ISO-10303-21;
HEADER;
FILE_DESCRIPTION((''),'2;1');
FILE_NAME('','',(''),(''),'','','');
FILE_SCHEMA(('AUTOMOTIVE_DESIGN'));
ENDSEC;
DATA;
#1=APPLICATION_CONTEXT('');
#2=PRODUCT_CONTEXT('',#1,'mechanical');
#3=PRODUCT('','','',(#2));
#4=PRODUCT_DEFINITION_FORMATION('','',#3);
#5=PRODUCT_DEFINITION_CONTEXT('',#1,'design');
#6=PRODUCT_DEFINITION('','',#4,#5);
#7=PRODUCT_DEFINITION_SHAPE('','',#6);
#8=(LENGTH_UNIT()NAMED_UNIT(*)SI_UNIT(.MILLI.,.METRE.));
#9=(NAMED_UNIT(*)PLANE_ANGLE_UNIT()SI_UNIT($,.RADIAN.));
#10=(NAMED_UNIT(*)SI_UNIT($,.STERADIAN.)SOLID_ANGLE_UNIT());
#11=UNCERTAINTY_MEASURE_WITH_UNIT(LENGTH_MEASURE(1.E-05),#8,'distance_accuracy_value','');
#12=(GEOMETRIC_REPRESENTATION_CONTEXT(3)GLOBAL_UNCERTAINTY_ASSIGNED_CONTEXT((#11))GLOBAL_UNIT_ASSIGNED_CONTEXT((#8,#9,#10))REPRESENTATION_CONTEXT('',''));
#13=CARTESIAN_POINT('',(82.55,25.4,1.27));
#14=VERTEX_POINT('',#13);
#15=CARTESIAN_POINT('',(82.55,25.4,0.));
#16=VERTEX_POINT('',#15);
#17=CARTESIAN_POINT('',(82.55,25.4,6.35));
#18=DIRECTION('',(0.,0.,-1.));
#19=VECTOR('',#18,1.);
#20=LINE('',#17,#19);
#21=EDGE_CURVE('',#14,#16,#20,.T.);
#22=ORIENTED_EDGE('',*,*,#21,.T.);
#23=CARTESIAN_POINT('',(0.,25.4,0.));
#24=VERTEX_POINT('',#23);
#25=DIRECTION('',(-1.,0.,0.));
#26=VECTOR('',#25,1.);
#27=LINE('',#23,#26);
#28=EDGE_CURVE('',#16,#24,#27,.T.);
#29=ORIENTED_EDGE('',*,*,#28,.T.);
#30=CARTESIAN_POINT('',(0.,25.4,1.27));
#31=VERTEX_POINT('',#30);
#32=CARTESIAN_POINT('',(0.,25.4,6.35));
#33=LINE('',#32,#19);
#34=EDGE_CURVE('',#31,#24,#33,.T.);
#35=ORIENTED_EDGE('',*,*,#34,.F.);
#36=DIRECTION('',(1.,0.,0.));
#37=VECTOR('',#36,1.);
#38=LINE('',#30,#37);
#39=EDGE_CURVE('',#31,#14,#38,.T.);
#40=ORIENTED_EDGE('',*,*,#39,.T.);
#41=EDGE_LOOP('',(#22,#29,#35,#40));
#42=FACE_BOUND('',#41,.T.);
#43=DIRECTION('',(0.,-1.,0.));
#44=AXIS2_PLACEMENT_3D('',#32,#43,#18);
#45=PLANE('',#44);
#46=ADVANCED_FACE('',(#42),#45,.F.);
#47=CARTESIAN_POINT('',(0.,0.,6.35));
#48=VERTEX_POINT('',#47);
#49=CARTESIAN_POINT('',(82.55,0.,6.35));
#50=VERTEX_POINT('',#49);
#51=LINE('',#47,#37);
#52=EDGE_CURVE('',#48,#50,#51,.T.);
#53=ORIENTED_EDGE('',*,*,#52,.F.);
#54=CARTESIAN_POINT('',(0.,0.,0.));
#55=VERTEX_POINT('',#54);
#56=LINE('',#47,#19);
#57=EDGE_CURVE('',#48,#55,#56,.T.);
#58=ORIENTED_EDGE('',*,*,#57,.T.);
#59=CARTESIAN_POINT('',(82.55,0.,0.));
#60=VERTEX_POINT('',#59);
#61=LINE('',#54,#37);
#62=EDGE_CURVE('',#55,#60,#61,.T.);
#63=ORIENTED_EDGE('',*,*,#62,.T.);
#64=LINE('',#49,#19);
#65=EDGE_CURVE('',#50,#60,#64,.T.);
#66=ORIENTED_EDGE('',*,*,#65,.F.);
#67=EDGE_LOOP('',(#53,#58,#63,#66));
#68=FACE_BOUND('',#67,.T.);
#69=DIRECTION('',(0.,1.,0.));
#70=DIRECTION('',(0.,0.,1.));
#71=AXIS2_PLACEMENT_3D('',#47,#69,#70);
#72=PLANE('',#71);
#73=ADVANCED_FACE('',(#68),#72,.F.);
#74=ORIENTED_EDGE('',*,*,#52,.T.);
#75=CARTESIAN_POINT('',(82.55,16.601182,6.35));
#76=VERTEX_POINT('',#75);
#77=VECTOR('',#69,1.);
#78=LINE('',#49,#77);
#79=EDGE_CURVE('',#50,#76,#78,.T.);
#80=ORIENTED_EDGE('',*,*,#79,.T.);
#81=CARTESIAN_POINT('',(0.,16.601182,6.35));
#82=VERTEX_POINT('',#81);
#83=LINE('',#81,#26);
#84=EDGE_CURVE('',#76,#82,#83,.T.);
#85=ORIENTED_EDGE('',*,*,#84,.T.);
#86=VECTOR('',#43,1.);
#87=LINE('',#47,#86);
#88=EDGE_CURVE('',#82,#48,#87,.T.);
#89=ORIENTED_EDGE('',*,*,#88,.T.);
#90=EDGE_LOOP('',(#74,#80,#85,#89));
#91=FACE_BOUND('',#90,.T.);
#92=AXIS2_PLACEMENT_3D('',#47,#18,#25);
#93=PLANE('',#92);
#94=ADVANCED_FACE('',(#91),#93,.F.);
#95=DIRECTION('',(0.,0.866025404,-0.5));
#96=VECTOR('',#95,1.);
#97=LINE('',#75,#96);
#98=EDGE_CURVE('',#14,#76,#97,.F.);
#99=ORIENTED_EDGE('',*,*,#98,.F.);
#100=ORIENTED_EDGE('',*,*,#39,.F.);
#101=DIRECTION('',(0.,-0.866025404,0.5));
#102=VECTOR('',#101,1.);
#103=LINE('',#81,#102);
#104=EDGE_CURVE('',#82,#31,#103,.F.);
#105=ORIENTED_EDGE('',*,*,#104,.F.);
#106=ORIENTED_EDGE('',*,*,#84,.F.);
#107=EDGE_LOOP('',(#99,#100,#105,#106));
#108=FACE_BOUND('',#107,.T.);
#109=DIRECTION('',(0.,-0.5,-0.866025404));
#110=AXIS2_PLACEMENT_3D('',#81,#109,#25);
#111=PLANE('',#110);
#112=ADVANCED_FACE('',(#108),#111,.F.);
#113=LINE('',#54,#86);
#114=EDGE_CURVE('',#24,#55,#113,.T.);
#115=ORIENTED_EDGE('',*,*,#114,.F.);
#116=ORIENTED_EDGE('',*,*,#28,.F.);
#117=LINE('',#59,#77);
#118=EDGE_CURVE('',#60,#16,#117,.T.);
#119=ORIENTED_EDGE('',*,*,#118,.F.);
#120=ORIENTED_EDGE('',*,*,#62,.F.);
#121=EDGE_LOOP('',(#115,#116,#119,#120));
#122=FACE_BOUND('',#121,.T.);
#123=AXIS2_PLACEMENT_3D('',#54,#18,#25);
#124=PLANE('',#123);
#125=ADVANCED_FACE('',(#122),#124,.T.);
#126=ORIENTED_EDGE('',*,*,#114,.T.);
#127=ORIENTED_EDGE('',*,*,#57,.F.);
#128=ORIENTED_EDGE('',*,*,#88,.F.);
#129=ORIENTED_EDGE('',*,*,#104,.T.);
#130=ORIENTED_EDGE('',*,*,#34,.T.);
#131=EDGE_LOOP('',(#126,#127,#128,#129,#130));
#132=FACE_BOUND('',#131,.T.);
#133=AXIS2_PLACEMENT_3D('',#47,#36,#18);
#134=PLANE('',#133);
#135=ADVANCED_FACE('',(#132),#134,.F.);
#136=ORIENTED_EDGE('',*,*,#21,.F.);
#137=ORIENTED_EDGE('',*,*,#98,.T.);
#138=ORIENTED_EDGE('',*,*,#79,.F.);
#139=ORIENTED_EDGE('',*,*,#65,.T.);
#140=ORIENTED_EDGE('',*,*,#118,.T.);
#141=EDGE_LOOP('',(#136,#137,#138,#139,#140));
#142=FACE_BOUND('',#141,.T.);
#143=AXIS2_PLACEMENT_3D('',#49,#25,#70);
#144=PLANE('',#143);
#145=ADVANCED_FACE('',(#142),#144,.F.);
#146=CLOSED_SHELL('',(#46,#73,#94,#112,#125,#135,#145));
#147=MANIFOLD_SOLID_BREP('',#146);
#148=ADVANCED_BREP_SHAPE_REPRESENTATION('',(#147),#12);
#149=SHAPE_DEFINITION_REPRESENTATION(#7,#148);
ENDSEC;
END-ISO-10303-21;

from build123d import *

# Parameters (mm, degrees)
SKETCH1_W           = 82.55
SKETCH1_H           = 25.4
BOSS_EXTRUDE1_DEPTH = 6.35
CHAMFER1_SIZE       = 5.08
CHAMFER1_SIZE2      = 8.798818102


with BuildPart() as part:
    # Sketch1 → Boss-Extrude1 (new body)
    with BuildSketch(Plane.XY):
        with Locations((41.275, 12.7)):
            Rectangle(SKETCH1_W, SKETCH1_H)
    extrude(amount=BOSS_EXTRUDE1_DEPTH)

    # Chamfer1
    chamfer1_edges = [part.edges().sort_by_distance(p)[0] for p in [
        (41.275, 25.4, 6.35),
    ]]
    chamfer1_side = [part.faces().sort_by_distance(p)[0] for p in [
        (41.275, 25.4, 3.175),
    ]]
    chamfer(chamfer1_edges, length=CHAMFER1_SIZE, length2=CHAMFER1_SIZE2, reference=chamfer1_side[0])


solid = part.part
